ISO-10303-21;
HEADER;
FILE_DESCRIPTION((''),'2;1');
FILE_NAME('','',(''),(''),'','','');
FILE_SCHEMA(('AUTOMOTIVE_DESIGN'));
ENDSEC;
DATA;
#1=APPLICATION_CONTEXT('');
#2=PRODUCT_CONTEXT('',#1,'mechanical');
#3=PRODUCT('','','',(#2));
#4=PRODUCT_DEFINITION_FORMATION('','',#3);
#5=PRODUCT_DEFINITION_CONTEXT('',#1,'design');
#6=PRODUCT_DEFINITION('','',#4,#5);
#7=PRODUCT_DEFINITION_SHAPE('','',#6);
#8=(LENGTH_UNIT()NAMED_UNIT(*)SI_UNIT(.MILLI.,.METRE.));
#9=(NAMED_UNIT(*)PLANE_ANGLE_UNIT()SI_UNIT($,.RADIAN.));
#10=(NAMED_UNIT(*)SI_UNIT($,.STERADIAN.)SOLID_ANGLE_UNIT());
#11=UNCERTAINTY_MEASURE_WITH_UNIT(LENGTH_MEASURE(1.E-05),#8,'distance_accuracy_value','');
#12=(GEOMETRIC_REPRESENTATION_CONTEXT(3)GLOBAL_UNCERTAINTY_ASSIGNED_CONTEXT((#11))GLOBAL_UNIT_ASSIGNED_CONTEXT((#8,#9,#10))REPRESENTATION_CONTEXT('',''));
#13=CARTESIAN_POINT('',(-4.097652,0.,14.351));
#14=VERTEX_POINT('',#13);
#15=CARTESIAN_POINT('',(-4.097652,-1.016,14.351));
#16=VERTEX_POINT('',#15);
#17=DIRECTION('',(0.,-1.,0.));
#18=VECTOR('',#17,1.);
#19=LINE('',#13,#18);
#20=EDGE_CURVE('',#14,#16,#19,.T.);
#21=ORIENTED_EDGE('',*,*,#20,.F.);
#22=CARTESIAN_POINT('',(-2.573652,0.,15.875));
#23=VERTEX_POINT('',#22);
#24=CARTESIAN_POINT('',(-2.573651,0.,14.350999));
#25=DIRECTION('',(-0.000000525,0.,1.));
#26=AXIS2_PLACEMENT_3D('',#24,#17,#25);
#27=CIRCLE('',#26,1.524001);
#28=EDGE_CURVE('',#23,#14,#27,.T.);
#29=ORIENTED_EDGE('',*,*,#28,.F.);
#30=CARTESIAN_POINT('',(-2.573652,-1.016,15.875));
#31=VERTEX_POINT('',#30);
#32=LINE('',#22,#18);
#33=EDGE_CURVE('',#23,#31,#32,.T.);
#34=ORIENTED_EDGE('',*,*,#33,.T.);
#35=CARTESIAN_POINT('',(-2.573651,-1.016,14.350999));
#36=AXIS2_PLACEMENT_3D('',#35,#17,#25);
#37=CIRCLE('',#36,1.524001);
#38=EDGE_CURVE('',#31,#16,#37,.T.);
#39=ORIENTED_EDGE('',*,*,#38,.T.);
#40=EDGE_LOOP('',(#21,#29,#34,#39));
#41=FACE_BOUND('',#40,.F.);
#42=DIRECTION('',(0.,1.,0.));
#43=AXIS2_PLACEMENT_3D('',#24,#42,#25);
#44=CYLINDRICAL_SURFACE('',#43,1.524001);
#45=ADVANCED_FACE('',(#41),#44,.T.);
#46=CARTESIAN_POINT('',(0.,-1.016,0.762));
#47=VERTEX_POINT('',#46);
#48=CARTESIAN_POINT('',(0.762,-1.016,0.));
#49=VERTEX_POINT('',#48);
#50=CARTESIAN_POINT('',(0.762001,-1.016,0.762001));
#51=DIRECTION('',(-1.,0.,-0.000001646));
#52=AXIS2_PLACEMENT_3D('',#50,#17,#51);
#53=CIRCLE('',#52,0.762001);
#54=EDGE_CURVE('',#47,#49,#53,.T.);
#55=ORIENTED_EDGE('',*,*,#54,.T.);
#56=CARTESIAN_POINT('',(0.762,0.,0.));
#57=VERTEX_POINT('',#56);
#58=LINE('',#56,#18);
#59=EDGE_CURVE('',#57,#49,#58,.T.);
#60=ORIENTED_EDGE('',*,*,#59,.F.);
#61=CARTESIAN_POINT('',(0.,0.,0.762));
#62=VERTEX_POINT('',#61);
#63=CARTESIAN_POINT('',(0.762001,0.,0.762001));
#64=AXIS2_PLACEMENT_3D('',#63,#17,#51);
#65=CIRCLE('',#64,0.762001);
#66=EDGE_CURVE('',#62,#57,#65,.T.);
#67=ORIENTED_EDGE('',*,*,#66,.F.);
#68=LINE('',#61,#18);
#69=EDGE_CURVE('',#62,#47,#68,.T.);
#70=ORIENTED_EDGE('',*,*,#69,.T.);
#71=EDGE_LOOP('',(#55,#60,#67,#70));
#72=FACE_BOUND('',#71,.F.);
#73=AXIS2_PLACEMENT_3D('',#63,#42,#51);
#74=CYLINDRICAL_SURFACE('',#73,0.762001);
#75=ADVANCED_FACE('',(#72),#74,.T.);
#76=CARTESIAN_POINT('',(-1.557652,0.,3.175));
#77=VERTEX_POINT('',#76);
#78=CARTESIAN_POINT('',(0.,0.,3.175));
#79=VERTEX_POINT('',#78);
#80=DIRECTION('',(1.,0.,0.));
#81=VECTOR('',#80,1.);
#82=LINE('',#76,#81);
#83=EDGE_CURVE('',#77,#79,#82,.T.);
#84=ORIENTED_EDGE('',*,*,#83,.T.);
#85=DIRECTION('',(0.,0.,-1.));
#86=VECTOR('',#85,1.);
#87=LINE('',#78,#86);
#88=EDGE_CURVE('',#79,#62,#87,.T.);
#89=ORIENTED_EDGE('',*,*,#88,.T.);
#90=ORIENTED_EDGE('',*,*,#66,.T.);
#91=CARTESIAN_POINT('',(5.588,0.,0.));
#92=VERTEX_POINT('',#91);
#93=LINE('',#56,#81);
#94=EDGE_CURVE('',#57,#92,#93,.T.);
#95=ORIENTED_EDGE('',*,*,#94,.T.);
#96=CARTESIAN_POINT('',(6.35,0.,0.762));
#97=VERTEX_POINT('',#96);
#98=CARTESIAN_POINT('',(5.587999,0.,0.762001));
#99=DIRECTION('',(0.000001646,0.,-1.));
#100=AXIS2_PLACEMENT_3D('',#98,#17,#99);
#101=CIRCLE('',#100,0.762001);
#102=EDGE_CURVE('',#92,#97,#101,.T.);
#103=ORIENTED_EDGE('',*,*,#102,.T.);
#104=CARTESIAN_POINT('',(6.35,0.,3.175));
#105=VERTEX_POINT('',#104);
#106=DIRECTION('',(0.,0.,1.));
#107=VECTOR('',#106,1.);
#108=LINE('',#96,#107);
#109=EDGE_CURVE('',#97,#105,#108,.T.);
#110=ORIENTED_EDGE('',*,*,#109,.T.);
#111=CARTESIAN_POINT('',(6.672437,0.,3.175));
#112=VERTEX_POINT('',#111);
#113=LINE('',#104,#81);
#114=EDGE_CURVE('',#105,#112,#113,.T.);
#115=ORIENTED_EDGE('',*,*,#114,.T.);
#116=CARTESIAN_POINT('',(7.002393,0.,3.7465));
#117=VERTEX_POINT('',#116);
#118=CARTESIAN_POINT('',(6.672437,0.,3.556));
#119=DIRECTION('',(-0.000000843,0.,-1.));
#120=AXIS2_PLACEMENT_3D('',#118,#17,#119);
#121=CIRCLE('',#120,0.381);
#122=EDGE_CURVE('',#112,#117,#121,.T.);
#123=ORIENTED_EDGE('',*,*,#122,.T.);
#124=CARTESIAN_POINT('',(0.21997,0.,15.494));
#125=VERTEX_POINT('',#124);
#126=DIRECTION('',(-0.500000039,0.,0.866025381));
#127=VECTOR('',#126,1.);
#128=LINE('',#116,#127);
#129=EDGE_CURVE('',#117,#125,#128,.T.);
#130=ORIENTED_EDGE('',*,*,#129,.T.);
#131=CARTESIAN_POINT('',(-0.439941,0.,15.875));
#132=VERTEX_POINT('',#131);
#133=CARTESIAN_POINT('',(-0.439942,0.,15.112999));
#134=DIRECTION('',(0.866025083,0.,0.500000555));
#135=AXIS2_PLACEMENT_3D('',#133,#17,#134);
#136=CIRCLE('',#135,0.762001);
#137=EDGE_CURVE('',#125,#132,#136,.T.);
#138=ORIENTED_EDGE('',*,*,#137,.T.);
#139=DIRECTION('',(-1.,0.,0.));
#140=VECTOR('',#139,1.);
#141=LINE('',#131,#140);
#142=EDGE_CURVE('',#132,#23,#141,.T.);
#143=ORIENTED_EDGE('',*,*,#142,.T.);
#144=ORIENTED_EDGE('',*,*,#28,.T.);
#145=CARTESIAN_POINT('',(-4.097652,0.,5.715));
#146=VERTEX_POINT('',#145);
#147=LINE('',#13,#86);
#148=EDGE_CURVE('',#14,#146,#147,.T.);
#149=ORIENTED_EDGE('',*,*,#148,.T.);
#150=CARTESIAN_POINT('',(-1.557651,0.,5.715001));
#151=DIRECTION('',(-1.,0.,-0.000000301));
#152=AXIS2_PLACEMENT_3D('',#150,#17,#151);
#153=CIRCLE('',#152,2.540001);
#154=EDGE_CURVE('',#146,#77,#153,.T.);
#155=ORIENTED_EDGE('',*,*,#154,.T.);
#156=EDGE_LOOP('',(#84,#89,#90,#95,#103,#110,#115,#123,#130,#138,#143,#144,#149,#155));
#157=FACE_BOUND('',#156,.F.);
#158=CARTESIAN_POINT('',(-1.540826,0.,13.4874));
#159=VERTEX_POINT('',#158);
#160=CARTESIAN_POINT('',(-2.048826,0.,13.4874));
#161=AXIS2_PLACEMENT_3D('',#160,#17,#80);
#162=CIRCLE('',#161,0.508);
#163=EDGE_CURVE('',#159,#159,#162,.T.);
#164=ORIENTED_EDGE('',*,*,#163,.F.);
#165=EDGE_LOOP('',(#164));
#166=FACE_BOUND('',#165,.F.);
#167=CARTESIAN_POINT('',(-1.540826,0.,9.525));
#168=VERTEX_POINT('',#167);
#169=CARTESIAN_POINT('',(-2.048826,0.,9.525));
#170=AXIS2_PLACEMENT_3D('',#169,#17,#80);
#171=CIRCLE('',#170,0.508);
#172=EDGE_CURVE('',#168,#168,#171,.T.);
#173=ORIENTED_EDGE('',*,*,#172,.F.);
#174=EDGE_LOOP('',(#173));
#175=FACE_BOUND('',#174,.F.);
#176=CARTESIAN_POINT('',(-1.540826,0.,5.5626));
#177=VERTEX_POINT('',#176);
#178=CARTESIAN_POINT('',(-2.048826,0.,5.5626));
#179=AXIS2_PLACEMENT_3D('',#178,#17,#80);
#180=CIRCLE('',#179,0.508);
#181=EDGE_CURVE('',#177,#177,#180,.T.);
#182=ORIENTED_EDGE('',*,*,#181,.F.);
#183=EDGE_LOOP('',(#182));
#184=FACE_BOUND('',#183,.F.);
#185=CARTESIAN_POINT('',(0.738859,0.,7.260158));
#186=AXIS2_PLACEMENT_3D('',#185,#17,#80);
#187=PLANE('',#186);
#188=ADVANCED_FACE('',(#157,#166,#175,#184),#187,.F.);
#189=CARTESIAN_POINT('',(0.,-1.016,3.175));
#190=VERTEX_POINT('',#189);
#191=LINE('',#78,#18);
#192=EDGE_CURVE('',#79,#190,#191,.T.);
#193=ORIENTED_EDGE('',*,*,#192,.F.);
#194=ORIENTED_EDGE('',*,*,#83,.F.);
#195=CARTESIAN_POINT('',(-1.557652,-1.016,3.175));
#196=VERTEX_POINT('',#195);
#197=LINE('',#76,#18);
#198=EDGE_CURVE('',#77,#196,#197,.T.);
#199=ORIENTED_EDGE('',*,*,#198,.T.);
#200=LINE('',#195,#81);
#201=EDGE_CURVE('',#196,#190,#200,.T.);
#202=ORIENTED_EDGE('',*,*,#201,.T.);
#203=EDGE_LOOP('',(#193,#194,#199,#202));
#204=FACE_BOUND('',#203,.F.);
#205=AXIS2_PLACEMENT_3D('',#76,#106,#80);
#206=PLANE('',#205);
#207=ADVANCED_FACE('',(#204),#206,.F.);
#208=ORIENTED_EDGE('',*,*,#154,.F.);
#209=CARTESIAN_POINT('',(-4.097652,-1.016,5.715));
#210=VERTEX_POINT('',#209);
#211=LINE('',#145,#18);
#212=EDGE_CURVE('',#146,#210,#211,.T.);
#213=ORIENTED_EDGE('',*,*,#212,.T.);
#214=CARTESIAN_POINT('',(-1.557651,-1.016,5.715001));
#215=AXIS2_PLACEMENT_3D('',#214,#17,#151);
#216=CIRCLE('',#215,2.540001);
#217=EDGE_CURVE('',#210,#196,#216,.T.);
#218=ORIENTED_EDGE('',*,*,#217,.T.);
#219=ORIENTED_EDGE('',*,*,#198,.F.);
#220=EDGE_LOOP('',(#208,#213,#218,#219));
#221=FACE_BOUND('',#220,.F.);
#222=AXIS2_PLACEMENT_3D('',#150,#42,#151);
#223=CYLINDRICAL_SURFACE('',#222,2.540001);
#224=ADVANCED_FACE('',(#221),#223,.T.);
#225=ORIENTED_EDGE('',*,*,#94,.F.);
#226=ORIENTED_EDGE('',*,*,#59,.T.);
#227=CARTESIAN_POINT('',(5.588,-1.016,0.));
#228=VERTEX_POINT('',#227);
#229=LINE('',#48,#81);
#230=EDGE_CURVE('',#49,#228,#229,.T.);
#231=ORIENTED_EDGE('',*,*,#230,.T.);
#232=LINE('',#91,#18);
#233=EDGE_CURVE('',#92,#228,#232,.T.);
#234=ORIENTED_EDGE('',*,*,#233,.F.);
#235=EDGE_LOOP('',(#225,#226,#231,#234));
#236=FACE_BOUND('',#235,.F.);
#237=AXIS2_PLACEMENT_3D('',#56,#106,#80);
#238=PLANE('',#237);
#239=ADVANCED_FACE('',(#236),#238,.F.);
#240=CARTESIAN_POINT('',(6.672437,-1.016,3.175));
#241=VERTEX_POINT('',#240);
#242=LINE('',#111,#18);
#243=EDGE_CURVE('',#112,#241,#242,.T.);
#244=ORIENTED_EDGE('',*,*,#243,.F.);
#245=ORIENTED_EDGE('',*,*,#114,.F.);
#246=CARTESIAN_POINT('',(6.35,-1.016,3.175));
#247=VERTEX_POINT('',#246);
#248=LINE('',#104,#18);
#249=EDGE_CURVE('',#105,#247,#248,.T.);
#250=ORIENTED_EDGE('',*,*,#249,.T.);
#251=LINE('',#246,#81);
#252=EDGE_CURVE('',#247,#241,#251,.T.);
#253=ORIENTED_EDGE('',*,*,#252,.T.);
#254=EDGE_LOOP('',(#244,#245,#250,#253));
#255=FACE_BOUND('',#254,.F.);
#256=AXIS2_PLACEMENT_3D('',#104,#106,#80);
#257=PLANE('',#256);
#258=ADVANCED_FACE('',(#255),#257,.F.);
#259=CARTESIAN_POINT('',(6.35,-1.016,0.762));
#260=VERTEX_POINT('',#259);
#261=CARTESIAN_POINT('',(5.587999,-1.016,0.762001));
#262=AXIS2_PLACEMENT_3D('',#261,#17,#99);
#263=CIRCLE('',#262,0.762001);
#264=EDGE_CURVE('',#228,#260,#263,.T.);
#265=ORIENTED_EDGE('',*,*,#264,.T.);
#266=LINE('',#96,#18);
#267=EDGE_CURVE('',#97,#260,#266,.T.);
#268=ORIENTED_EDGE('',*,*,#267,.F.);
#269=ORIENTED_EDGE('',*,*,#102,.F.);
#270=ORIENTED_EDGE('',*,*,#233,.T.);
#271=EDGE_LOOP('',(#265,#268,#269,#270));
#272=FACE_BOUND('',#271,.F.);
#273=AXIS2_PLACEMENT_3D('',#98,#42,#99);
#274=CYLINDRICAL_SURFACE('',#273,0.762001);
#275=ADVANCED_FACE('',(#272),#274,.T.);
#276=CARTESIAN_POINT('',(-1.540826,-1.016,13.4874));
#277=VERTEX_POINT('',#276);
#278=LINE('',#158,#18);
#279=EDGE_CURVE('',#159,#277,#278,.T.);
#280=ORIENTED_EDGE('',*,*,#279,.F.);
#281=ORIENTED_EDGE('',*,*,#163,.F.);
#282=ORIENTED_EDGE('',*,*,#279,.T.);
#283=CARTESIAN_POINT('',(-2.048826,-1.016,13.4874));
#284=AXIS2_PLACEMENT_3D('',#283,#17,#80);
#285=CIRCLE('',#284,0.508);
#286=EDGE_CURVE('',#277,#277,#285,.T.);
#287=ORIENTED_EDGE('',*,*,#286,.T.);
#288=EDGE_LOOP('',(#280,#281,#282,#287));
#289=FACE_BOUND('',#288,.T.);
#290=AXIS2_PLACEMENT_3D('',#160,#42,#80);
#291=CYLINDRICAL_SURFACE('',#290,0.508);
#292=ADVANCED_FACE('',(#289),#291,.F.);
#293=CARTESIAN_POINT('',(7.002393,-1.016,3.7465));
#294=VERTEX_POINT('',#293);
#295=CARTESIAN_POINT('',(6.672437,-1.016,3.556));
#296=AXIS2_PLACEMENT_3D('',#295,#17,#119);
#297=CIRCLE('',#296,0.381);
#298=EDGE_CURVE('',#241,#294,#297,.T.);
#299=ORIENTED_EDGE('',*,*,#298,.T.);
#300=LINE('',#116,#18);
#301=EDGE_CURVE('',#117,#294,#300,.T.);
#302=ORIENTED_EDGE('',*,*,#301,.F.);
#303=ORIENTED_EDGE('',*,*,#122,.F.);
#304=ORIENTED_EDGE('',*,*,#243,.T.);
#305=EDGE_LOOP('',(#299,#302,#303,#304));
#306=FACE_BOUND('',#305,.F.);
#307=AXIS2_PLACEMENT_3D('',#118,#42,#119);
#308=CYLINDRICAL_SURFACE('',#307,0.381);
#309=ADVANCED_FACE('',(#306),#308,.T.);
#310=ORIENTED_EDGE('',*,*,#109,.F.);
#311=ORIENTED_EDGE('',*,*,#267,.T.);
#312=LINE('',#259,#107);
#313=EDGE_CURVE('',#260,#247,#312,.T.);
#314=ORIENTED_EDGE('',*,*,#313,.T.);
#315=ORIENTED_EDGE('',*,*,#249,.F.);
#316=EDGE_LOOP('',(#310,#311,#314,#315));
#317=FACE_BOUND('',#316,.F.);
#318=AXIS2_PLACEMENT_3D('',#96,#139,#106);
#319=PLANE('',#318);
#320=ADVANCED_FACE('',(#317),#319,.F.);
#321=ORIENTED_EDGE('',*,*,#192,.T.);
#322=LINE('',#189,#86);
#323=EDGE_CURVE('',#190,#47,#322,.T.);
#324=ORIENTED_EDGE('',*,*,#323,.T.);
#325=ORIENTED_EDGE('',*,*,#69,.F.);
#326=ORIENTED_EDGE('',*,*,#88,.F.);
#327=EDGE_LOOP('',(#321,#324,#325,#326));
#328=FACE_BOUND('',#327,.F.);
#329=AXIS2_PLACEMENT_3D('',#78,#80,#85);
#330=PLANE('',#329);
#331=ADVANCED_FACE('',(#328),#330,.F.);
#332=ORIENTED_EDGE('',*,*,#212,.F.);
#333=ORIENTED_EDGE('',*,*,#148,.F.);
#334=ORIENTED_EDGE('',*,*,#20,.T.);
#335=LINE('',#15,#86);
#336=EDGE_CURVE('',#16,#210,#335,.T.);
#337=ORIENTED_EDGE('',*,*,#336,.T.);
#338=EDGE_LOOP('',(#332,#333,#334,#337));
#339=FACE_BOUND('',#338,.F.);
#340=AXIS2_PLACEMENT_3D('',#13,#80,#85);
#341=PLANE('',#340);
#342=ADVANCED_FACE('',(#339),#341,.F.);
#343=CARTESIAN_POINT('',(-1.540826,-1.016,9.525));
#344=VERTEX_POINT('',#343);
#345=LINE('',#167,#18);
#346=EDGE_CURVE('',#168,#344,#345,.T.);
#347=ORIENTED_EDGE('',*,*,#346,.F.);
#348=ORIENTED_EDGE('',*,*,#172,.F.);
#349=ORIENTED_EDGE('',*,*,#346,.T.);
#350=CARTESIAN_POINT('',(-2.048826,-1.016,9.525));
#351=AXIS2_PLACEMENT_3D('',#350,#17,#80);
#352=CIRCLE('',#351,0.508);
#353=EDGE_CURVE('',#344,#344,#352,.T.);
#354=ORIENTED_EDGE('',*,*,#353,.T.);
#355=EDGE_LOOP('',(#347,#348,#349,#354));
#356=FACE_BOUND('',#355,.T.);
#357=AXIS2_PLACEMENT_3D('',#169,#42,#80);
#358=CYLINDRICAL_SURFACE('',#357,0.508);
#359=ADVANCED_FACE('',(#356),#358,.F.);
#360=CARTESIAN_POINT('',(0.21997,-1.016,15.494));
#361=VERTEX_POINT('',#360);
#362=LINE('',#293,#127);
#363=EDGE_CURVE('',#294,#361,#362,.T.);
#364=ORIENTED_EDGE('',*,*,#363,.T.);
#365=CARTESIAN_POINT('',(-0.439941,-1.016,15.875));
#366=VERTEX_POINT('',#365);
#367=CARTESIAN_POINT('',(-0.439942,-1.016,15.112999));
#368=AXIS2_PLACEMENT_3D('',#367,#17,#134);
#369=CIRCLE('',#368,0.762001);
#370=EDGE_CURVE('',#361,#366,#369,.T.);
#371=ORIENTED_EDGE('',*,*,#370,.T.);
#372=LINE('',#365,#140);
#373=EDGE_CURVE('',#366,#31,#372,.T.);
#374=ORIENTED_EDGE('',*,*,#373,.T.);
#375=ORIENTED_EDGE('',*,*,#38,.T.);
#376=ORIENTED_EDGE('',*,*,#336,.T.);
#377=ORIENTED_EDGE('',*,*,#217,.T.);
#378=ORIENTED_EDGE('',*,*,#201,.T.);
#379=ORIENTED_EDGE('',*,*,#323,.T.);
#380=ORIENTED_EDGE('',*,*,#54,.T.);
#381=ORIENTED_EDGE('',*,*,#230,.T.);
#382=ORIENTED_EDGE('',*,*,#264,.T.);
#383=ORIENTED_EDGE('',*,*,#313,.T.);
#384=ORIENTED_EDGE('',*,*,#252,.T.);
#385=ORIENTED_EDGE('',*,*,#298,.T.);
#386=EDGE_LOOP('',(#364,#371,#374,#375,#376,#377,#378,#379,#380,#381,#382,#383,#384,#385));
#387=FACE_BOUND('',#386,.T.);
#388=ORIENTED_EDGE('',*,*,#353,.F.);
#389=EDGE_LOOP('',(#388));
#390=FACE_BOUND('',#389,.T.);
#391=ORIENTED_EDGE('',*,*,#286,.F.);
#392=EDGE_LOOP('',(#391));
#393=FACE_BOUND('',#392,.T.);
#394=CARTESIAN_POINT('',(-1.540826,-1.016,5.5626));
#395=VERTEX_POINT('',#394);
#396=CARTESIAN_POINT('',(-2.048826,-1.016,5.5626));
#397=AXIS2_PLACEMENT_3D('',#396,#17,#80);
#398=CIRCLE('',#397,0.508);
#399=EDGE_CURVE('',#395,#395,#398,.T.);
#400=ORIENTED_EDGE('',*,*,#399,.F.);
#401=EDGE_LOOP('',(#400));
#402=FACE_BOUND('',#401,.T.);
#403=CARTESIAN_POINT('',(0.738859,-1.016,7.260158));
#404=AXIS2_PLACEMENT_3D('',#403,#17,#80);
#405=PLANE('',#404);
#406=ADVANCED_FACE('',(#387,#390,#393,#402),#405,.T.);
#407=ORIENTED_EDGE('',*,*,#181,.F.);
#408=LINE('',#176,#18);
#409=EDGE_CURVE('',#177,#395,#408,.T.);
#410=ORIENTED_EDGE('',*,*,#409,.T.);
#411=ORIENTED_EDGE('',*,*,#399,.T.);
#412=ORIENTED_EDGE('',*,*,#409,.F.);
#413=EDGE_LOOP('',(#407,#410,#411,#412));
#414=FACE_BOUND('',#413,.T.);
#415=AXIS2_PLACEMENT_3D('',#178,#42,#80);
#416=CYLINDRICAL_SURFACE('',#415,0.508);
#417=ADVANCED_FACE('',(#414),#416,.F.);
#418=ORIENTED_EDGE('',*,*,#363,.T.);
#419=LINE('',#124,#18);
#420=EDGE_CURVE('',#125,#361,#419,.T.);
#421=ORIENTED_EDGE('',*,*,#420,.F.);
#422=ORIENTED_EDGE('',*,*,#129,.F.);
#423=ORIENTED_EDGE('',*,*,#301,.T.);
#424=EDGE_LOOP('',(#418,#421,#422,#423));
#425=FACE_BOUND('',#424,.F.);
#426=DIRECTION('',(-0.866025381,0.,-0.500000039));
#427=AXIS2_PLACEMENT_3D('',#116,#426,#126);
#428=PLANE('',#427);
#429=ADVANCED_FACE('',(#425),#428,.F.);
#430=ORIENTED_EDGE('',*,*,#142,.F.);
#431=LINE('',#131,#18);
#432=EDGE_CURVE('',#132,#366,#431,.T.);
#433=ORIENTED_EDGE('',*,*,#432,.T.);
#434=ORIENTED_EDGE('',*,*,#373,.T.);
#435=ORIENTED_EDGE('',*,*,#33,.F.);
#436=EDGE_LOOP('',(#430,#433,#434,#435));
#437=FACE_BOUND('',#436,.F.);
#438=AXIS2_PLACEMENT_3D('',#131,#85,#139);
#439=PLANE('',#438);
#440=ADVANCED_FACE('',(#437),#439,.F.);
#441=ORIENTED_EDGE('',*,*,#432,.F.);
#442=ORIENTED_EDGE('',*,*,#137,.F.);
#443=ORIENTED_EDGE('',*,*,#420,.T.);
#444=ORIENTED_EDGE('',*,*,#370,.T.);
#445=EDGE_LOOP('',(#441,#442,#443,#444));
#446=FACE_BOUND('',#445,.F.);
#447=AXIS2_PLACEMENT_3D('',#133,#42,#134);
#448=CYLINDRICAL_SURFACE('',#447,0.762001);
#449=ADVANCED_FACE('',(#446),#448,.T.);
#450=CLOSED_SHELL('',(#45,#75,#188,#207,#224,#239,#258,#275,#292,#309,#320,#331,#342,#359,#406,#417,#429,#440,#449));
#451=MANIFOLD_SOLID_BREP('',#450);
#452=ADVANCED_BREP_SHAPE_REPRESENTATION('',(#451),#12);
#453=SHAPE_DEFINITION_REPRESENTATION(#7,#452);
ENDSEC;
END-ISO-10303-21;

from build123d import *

# Parameters (mm, degrees)
F0_R     = 0.508
F1_DEPTH = 1.016


with BuildPart() as f1:
    # F0 (on Front) → F1 (new body)
    with BuildSketch(Plane.XZ):
        with BuildLine():
            Line((0, 3.175), (0, 0.762))
            ThreePointArc((0, 0.762), (0.223185, 0.223185), (0.762, 0))
            Line((0.762, 0), (5.588, 0))
            ThreePointArc((5.588, 0), (6.126815, 0.223185), (6.35, 0.762))
            Line((6.35, 0.762), (6.35, 3.175))
            Line((6.35, 3.175), (6.672437, 3.175))
            ThreePointArc((6.672437, 3.175), (7.002393, 3.3655), (7.002393, 3.7465))
            Line((7.002393, 3.7465), (0.21997, 15.494))
            ThreePointArc((0.21997, 15.494), (-0.058941, 15.772911), (-0.439941, 15.875))
            Line((-0.439941, 15.875), (-2.573652, 15.875))
            ThreePointArc((-2.573652, 15.875), (-3.651282, 15.428631), (-4.097652, 14.351))
            Line((-4.097652, 14.351), (-4.097652, 5.715))
            ThreePointArc((-4.097652, 5.715), (-3.353703, 3.918949), (-1.557652, 3.175))
            Line((-1.557652, 3.175), (0, 3.175))
        make_face()
        with Locations((-2.048826, 5.5626)):
            Circle(F0_R, mode=Mode.SUBTRACT)
        with Locations((-2.048826, 9.525)):
            Circle(F0_R, mode=Mode.SUBTRACT)
        with Locations((-2.048826, 13.4874)):
            Circle(F0_R, mode=Mode.SUBTRACT)
    extrude(amount=F1_DEPTH)


solid = f1.part
